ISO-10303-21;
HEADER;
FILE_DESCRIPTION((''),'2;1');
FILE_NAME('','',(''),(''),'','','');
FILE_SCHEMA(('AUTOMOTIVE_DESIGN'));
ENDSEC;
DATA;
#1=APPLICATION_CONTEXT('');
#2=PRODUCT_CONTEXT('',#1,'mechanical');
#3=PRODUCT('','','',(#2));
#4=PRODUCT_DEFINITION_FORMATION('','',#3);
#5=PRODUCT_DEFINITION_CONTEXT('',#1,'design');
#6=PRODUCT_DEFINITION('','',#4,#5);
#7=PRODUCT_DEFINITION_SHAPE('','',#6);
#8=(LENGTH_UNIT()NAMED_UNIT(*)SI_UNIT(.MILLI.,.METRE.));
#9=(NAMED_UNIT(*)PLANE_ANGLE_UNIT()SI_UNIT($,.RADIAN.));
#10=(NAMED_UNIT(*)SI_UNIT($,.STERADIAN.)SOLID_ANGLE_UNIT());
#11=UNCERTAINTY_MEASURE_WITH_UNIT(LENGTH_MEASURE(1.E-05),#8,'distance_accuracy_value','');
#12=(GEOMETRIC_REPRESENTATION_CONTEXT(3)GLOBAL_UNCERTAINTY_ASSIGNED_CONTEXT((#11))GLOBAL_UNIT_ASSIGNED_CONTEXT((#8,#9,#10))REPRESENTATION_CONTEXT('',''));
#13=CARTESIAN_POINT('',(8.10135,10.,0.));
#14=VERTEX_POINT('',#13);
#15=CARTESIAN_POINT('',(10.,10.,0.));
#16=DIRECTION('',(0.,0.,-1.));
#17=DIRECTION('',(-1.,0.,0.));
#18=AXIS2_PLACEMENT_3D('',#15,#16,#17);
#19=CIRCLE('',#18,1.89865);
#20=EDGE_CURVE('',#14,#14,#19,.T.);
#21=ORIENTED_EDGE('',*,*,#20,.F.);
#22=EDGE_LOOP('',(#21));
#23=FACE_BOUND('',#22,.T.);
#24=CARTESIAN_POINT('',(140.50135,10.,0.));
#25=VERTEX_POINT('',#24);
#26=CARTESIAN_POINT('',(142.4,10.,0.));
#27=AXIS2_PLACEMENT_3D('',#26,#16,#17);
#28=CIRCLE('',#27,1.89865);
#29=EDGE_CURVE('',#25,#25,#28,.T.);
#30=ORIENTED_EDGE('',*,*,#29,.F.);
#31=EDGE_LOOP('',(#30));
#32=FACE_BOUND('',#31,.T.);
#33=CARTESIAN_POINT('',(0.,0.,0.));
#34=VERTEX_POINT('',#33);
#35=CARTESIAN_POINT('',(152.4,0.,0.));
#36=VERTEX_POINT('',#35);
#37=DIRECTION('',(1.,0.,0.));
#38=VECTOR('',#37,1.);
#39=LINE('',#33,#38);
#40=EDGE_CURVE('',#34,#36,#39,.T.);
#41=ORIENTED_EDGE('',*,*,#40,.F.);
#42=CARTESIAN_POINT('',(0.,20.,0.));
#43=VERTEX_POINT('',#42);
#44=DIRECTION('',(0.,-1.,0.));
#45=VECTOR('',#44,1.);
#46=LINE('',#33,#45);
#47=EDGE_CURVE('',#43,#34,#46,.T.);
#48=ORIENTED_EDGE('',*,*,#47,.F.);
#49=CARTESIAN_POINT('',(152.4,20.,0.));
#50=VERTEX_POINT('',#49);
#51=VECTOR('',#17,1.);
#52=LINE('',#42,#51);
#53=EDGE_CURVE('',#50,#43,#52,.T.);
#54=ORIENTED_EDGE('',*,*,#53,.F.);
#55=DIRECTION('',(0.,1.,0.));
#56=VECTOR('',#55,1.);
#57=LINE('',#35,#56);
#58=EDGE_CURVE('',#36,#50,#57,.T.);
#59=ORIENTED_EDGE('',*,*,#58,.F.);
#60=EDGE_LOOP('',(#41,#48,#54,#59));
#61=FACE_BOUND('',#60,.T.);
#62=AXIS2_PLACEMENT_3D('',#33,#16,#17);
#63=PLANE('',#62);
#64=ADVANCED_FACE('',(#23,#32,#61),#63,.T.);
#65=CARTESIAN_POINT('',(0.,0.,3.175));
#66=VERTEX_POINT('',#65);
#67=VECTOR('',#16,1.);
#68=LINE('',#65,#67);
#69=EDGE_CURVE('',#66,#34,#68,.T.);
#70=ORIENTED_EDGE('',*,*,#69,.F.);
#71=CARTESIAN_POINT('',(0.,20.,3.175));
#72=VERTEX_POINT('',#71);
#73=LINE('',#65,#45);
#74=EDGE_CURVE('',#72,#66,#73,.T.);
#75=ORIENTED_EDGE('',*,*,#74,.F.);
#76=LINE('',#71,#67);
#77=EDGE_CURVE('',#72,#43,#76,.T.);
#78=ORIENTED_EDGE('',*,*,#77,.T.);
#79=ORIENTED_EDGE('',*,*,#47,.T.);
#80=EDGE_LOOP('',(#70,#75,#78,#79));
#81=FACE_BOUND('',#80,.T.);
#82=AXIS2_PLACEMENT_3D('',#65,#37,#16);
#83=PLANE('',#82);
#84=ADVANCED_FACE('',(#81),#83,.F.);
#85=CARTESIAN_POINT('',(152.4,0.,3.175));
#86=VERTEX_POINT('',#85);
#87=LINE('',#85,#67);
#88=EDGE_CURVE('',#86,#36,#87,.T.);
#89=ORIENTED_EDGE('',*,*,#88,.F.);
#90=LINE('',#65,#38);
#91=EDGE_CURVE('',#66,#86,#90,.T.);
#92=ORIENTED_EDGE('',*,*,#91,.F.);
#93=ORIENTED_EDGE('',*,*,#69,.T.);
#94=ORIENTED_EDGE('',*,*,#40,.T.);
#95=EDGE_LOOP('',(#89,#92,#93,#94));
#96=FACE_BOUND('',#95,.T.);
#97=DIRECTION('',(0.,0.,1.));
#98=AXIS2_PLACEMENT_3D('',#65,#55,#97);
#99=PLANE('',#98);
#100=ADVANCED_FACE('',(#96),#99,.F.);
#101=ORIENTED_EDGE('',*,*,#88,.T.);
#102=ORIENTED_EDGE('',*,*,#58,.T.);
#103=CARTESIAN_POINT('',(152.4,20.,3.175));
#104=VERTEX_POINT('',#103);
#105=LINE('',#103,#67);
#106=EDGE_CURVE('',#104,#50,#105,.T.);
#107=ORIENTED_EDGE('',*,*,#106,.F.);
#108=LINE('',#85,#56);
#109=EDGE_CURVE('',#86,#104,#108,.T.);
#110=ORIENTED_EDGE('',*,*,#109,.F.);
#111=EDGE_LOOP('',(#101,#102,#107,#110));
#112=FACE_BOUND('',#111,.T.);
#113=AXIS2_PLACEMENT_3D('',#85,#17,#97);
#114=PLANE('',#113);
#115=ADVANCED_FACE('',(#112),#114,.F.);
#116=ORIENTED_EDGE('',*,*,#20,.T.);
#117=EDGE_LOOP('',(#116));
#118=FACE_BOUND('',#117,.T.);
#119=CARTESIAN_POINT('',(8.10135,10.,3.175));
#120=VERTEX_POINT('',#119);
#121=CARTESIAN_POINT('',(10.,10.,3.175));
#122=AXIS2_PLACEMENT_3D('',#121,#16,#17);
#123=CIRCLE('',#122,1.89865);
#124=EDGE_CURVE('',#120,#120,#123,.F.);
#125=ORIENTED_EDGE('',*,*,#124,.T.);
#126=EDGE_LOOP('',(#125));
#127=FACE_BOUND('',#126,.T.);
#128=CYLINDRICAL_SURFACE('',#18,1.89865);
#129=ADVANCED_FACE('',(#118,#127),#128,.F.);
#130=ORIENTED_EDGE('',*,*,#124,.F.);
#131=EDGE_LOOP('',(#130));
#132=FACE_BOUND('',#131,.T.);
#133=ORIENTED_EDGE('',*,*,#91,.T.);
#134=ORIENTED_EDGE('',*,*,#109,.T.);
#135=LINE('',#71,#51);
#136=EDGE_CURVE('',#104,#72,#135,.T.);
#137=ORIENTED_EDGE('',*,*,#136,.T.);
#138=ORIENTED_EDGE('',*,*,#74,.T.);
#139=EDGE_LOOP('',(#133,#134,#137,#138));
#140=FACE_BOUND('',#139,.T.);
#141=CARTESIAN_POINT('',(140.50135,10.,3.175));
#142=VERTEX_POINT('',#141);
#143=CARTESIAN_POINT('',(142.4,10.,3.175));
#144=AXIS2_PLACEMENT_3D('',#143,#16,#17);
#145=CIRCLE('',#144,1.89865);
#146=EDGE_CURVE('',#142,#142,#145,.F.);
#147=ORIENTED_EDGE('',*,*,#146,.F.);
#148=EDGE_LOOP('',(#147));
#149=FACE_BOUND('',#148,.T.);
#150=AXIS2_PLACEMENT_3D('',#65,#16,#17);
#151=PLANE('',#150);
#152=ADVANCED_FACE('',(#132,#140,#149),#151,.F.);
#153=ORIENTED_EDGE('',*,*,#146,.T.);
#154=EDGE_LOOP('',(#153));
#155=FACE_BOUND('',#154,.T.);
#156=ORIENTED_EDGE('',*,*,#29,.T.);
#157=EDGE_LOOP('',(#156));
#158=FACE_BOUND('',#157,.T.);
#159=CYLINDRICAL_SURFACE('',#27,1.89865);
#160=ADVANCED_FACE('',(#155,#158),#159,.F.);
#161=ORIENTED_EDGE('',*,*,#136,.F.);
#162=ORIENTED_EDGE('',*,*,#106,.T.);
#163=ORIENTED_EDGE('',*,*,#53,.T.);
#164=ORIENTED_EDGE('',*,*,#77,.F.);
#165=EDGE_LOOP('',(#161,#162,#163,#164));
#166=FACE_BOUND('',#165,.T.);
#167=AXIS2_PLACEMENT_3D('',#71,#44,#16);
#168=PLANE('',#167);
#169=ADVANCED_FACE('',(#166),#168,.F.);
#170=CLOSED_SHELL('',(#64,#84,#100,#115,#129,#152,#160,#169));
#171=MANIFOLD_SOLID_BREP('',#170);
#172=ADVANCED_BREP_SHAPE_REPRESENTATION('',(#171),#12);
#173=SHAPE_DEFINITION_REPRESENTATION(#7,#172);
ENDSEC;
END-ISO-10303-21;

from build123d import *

# Parameters (mm, degrees)
SKETCH1_W             = 152.4
SKETCH1_H             = 20
BOSS_EXTRUDE1_DEPTH   = 3.175
F_6_CLEARANCE_HOLE1_D = 3.7973


with BuildPart() as part:
    # Sketch1 → Boss-Extrude1 (new body)
    with BuildSketch(Plane.XY):
        with Locations((76.2, 10)):
            Rectangle(SKETCH1_W, SKETCH1_H)
    extrude(amount=BOSS_EXTRUDE1_DEPTH)

    # #6 Clearance Hole1 (through all)
    with Locations(Plane(origin=(0, 0, 0), x_dir=(-1, 0, 0), z_dir=(0, 0, -1))):
        with Locations((-142.4, 10), (-10, 10)):
            Hole(F_6_CLEARANCE_HOLE1_D / 2)


solid = part.part
